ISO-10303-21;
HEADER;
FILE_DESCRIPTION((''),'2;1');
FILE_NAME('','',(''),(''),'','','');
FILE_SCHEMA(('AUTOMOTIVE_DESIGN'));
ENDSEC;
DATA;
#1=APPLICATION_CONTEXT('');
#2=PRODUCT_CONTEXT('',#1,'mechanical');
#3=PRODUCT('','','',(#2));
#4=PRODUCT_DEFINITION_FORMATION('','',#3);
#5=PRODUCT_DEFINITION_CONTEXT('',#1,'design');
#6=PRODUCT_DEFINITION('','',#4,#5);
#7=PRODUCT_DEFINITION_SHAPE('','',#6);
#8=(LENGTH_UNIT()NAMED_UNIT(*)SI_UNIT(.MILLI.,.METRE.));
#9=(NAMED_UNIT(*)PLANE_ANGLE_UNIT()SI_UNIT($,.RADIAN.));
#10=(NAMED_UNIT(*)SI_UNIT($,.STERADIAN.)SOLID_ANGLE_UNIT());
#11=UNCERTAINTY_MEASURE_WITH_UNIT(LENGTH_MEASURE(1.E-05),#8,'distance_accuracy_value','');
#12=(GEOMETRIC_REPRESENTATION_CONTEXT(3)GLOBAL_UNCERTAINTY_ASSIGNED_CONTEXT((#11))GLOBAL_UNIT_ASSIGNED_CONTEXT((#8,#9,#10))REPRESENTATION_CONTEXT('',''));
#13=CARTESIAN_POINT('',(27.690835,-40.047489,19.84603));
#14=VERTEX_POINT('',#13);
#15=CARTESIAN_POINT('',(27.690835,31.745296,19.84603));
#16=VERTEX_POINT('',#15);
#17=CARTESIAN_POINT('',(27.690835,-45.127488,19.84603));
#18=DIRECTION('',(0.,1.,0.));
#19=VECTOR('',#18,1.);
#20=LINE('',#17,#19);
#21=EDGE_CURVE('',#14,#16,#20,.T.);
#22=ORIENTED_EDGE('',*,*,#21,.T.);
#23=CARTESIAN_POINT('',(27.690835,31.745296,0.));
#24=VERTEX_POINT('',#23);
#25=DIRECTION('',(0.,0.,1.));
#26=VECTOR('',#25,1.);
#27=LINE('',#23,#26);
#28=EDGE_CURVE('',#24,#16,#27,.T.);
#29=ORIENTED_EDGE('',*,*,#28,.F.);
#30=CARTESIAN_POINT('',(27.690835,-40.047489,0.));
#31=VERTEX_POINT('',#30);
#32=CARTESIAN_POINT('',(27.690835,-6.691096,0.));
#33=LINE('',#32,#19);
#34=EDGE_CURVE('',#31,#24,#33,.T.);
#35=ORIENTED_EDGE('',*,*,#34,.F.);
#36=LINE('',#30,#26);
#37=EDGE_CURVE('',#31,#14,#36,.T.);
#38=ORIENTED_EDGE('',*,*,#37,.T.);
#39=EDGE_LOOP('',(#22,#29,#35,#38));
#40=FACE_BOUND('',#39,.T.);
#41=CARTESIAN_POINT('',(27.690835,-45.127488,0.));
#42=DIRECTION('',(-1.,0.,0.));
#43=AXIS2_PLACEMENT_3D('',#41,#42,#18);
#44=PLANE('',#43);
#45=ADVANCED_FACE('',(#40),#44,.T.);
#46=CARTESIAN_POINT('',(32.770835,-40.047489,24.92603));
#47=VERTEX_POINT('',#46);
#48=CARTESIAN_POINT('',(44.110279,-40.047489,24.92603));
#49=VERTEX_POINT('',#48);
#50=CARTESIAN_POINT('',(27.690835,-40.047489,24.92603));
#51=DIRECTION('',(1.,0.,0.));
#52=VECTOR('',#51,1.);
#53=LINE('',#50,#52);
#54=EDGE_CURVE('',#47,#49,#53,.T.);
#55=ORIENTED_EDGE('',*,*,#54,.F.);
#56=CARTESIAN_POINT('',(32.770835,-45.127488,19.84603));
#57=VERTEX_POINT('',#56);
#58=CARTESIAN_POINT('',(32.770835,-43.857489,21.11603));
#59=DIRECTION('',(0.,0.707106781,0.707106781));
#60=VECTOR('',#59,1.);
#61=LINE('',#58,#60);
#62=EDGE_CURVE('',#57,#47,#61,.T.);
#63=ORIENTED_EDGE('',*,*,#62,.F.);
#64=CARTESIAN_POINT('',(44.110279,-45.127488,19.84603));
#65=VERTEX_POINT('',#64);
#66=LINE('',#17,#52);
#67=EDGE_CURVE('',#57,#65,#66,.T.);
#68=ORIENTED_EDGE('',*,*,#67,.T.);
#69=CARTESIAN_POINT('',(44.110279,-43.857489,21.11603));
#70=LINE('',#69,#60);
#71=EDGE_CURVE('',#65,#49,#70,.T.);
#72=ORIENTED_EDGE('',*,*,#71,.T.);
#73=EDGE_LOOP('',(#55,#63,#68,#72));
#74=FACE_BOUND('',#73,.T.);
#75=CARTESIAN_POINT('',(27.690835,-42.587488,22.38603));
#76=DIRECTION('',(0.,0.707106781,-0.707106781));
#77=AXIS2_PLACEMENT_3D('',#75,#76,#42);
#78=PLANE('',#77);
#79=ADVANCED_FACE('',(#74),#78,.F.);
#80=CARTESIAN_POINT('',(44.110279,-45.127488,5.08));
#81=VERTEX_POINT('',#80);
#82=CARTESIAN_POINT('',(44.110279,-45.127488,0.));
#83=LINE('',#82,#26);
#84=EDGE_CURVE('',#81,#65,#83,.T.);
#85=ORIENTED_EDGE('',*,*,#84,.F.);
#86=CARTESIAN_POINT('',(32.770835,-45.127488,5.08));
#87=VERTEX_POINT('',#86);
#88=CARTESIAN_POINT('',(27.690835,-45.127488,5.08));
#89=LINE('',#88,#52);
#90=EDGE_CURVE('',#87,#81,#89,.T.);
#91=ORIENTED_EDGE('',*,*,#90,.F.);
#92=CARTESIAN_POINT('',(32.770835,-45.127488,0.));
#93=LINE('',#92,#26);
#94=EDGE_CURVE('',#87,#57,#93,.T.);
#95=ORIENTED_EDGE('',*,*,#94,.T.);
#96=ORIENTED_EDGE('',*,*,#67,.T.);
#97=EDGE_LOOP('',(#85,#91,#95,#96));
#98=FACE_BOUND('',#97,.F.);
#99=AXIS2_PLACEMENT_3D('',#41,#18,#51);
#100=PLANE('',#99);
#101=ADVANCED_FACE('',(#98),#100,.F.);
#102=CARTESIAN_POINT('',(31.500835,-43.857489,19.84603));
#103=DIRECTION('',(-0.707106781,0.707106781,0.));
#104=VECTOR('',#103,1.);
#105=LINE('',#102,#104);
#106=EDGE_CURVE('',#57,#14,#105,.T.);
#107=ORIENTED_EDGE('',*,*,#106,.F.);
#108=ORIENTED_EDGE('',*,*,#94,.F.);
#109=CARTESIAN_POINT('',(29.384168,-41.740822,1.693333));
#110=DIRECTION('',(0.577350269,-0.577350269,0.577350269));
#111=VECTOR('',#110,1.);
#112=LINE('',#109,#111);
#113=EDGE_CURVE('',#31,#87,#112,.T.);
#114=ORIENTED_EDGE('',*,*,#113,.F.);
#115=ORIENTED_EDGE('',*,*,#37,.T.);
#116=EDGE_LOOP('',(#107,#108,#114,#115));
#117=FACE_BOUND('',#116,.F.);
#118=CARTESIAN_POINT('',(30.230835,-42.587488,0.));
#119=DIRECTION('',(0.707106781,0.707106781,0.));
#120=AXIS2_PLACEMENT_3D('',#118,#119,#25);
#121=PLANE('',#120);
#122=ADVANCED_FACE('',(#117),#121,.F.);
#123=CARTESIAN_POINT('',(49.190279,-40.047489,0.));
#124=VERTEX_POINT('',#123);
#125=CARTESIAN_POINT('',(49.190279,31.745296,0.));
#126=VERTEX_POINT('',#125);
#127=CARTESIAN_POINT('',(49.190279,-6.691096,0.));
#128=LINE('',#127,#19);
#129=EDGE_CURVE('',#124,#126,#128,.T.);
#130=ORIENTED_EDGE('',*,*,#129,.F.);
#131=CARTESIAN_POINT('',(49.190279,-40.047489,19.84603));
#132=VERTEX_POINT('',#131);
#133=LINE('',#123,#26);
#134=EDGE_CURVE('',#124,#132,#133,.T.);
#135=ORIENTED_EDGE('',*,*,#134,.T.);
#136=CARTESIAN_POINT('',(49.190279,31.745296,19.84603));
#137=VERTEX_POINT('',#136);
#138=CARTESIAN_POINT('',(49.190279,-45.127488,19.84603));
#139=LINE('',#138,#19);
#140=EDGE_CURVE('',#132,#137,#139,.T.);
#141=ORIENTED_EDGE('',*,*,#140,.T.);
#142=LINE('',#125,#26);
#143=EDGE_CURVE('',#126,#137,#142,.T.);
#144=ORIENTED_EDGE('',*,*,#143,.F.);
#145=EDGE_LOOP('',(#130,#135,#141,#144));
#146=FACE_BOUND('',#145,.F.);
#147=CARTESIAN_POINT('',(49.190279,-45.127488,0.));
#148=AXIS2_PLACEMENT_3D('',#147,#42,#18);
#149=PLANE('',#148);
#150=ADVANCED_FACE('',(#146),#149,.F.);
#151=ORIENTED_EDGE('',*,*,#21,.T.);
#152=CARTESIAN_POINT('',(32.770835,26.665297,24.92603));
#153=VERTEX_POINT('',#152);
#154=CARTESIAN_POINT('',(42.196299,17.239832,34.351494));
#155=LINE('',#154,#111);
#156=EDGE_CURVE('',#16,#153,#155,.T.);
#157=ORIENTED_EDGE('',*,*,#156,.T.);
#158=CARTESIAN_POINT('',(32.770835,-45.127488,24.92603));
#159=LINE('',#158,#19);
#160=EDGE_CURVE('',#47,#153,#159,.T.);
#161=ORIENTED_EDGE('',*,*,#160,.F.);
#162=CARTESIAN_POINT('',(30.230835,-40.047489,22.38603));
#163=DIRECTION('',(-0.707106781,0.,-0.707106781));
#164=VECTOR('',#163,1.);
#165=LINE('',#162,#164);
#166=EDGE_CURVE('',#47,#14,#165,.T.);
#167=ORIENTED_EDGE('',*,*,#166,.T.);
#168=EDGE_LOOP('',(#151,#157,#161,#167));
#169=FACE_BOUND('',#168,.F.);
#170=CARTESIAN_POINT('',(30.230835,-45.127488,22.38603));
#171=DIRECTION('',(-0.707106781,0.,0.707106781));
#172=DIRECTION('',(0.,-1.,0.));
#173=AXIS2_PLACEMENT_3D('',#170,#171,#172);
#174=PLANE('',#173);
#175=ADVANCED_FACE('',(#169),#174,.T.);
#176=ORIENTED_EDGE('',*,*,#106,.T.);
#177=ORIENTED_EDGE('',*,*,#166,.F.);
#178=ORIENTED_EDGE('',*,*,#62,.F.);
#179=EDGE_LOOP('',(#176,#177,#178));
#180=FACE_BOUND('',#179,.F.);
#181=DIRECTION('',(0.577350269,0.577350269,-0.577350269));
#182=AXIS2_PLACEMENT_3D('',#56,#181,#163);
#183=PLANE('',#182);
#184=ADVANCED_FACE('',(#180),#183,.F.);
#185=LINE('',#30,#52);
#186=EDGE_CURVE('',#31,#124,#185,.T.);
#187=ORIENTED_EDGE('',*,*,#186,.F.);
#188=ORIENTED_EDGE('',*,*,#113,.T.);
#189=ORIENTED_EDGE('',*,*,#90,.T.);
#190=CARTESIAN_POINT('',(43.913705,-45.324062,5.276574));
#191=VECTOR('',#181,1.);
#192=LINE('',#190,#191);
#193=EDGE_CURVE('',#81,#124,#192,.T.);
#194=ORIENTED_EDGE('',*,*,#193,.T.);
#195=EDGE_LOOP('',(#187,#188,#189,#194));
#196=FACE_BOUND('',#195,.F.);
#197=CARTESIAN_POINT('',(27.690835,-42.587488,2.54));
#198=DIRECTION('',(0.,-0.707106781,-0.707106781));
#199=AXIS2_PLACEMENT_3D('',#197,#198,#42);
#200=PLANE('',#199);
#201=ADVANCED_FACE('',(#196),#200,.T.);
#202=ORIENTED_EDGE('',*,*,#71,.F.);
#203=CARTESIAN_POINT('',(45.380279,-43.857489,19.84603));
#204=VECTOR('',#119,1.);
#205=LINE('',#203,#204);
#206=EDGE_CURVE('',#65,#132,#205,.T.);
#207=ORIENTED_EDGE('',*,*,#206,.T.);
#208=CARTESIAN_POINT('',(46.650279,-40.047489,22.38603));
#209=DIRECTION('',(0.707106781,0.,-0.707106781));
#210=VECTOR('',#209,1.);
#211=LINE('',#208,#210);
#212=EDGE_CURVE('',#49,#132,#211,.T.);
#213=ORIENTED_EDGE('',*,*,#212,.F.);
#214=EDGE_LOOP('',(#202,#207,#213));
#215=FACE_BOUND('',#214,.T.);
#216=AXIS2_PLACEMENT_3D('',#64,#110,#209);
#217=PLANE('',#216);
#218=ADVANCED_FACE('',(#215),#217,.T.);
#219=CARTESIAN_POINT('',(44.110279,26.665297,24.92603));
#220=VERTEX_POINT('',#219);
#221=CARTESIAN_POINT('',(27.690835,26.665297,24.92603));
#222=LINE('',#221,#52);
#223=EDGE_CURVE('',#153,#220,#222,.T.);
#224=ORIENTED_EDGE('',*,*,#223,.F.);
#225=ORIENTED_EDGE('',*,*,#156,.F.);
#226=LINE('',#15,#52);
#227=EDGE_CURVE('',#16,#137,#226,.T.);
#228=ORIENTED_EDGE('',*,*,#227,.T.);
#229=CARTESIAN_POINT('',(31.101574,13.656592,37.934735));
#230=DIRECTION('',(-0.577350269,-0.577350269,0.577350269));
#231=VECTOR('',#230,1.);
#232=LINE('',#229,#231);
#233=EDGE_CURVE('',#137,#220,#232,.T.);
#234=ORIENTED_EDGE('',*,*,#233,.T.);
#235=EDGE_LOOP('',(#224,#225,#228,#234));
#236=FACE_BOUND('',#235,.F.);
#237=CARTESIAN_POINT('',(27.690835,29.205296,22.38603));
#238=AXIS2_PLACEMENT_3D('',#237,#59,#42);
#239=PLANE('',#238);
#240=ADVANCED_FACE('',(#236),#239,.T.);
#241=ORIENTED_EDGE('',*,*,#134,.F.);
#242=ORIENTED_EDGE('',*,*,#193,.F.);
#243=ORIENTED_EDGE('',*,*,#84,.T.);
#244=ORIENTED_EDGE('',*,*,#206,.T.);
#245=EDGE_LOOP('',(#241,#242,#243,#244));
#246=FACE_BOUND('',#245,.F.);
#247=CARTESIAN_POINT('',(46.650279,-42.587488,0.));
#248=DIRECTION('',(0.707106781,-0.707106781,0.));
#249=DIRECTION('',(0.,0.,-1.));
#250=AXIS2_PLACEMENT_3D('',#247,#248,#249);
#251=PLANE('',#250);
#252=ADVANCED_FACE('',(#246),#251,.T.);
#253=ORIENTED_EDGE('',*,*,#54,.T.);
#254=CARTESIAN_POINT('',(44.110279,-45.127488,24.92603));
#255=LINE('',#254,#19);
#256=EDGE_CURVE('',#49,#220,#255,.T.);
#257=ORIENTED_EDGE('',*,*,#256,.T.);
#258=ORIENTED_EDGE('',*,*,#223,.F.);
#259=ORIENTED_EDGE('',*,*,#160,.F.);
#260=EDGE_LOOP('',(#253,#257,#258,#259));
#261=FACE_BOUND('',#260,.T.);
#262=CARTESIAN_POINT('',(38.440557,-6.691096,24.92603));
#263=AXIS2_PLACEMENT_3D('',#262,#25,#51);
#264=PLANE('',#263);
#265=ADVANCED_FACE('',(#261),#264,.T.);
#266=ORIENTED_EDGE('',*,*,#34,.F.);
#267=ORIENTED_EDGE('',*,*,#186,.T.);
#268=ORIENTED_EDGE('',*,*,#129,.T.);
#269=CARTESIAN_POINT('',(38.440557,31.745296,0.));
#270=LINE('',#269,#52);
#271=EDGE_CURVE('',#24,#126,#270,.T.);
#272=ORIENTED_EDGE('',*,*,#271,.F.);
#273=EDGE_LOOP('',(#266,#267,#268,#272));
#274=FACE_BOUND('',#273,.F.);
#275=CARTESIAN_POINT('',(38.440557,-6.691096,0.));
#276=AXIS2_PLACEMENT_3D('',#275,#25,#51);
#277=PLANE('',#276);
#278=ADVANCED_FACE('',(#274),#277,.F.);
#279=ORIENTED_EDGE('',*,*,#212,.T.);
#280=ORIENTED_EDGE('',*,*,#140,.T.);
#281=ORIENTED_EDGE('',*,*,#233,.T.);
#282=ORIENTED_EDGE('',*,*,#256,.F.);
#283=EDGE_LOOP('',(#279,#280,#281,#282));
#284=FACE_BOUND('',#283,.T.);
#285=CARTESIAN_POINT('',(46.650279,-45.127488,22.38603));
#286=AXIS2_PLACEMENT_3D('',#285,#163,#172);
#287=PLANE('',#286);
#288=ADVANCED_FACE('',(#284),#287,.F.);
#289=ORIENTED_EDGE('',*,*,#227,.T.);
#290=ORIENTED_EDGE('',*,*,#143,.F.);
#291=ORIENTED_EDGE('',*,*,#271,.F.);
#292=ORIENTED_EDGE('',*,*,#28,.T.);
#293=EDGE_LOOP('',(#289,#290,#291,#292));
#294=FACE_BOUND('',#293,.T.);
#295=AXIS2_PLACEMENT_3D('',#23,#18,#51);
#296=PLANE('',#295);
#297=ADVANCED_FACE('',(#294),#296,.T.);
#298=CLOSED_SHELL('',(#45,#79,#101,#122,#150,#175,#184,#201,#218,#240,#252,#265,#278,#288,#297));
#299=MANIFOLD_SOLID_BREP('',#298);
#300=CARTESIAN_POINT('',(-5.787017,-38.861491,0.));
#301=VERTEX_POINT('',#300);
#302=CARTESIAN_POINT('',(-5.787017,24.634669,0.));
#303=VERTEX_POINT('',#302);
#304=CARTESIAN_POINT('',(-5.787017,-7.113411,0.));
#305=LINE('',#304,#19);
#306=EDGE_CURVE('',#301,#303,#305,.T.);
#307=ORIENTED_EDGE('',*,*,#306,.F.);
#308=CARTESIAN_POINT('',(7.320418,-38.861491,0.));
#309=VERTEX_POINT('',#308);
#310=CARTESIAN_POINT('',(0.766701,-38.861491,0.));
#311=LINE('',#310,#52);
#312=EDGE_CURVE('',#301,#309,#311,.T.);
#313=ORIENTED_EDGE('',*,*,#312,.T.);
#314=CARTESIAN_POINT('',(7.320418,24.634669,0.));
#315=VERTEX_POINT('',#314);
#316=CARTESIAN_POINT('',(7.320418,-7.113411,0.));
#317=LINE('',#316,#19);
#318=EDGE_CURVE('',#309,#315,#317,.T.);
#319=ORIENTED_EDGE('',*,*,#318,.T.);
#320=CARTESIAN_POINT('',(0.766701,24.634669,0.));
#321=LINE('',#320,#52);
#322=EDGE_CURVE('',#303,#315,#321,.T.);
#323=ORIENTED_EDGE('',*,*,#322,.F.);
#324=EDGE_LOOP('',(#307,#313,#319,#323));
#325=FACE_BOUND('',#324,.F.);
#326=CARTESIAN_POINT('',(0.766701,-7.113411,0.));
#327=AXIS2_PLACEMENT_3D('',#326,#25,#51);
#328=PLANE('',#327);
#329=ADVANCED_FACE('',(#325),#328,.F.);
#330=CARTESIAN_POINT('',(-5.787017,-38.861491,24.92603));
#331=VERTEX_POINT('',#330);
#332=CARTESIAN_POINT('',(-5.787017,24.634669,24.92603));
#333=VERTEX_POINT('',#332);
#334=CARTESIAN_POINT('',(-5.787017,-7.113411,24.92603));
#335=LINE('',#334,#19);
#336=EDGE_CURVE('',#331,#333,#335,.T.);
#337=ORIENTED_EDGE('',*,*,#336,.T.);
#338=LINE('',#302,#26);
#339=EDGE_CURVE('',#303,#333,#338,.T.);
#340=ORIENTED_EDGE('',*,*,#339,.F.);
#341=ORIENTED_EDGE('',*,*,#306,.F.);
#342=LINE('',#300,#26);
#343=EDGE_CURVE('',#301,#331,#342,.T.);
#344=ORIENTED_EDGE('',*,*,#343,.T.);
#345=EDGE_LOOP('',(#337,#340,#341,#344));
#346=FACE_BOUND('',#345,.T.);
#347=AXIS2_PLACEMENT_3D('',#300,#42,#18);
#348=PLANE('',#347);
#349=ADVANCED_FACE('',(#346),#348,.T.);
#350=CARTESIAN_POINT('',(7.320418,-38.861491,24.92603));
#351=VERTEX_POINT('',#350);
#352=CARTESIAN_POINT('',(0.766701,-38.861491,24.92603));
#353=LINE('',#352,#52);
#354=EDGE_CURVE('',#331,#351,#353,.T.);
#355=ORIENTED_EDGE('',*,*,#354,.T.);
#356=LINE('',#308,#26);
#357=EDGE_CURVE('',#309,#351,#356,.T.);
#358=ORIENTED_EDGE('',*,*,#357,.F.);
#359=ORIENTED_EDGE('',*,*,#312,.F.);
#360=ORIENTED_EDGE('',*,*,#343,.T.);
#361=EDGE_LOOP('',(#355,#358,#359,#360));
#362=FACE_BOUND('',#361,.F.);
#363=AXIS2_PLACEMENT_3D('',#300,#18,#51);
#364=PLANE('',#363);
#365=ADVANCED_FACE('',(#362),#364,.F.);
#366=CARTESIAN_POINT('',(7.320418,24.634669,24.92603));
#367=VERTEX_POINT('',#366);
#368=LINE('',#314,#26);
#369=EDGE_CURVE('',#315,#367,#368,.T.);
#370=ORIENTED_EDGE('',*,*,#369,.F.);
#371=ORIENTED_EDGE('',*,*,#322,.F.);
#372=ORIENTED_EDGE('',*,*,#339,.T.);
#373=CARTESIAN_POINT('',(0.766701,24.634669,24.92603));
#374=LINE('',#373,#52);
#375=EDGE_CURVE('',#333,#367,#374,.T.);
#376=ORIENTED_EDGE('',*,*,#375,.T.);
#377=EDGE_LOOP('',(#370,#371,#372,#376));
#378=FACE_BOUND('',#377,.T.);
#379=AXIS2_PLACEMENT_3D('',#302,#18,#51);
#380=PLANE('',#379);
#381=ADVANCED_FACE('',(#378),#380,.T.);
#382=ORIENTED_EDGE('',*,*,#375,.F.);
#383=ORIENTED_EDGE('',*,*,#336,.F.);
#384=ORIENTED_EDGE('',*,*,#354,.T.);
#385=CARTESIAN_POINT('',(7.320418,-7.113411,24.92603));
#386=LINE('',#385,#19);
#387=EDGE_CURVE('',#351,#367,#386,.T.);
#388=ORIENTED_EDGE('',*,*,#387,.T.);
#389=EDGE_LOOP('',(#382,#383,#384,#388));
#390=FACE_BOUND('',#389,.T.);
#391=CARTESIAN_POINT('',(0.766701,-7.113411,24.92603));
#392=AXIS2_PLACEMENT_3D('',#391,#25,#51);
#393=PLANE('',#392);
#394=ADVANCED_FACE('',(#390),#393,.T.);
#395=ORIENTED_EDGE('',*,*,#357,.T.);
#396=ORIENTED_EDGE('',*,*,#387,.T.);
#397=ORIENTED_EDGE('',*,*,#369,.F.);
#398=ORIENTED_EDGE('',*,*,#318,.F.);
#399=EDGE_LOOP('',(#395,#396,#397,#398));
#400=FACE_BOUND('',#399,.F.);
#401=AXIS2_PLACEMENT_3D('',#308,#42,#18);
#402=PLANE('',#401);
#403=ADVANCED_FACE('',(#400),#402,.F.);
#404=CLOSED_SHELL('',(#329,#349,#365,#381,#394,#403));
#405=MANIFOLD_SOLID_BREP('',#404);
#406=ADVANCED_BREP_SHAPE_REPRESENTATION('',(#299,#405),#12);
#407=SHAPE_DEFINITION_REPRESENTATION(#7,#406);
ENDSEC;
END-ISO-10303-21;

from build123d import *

# Parameters (mm, degrees)
F0_W     = 13.107435
F0_H     = 63.49616
F0_W_2   = 21.499444
F0_H_2   = 76.872785
F1_DEPTH = 24.92603
F2_SIZE  = 5.08


with BuildPart() as f1:
    # F0 (on Top) → F1 (new body)
    with BuildSketch(Plane.XY):
        with Locations((0.766701, -7.113411)):
            Rectangle(F0_W, F0_H)
        with Locations((38.440557, -6.691096)):
            Rectangle(F0_W_2, F0_H_2)
    extrude(amount=F1_DEPTH)

    # F2
    f2_edges = [f1.edges().sort_by_distance(p)[0] for p in [
        (49.190279, -6.691096, 24.92603),
        (38.440557, 31.745296, 24.92603),
        (27.690835, -6.691096, 24.92603),
        (38.440557, -45.127489, 24.92603),
        (27.690835, -45.127489, 12.463015),
        (49.190279, -45.127489, 12.463015),
        (38.440557, -45.127489, 0),
    ]]
    chamfer(f2_edges, length=F2_SIZE)


solid = f1.part
